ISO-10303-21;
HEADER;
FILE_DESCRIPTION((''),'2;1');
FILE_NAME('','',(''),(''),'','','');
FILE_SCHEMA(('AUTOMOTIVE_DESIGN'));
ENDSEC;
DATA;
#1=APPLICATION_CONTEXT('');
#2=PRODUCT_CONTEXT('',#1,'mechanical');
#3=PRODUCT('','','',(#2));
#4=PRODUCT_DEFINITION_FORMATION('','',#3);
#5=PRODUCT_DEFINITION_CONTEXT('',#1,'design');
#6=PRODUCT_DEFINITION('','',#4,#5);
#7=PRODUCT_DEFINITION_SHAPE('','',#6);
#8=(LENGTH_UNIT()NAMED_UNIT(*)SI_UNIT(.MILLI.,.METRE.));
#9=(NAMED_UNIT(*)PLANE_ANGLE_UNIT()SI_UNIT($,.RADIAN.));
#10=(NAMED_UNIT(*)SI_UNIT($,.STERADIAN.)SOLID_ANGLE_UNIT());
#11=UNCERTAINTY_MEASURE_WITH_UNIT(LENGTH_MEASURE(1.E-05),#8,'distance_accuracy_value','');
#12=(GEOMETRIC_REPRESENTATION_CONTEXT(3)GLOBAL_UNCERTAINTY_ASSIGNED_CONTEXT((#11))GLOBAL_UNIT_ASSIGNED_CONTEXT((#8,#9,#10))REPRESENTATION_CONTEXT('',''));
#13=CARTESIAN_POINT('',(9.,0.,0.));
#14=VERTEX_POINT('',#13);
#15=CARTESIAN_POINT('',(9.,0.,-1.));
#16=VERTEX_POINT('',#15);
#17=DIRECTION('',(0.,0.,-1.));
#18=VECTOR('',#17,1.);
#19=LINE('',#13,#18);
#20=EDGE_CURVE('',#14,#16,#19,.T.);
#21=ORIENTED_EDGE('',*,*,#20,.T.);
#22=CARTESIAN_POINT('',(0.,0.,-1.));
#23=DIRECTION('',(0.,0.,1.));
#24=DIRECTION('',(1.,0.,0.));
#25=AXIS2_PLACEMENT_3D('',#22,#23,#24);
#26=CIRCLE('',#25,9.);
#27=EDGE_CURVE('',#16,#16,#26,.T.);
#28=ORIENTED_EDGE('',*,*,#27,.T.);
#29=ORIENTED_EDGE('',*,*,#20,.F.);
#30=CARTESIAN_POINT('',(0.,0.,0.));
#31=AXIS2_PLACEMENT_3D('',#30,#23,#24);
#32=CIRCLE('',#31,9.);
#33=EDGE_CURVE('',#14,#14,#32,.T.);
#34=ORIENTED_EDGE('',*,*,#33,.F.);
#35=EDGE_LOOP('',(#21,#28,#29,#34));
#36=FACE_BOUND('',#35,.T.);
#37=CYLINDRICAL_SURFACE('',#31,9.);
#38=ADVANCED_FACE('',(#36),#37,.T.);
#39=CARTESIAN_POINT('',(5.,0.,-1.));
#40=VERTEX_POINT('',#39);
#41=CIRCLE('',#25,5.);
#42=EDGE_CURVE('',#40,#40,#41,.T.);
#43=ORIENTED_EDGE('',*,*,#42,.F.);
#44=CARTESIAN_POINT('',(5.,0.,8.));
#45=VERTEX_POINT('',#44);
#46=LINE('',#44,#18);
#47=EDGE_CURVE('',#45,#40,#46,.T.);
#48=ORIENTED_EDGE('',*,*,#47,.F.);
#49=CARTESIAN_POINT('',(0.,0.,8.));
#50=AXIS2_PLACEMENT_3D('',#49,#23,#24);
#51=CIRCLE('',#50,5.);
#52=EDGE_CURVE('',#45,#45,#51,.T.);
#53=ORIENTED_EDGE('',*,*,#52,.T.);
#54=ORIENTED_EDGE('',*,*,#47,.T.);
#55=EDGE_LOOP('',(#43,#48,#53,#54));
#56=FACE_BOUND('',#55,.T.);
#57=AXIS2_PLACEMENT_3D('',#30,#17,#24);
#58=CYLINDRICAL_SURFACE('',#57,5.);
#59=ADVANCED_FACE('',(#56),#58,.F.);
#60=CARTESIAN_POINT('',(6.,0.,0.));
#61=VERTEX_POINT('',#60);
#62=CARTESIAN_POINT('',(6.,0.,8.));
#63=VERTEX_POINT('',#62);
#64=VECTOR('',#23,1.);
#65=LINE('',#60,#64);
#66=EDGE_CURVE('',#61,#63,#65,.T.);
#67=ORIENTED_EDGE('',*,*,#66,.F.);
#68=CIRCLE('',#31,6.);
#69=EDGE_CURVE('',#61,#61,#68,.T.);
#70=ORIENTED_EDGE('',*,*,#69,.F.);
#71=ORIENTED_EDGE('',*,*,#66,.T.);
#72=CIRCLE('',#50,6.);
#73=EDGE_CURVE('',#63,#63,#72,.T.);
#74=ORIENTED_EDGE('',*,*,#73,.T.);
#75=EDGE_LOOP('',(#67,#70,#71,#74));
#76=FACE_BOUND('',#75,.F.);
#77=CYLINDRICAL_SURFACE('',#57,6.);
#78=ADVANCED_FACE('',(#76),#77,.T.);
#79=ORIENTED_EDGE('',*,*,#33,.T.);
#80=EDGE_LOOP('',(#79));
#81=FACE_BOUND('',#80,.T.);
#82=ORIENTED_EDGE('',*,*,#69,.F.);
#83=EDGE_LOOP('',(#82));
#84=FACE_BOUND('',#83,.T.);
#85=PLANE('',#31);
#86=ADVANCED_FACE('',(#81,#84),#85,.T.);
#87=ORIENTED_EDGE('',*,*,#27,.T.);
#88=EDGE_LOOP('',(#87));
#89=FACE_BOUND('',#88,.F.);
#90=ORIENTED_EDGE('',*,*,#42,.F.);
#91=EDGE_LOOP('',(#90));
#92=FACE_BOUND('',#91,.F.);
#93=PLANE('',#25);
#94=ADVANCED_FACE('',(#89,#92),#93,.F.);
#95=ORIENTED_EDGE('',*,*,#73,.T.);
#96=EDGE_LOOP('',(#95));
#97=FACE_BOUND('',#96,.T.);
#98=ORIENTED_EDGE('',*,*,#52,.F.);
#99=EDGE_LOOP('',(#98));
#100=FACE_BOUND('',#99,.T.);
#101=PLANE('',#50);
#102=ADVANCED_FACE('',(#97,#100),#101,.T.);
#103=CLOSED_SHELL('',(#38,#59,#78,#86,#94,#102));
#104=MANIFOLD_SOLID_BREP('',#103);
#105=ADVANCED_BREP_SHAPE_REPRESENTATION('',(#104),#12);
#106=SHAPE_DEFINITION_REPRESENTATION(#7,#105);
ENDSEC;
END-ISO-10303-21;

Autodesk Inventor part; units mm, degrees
ref_plane "YZ Plane" through (0, 0, 0) normal (1, 0, 0) x (0, 1, 0)
ref_plane "XZ Plane" through (0, 0, 0) normal (0, 1, 0) x (-1, 0, 0)
ref_plane "XY Plane" through (0, 0, 0) normal (0, 0, 1) x (1, 0, 0)
sketch "スケッチ1" plane through (0, 0, 0) normal (0, 0, 1) x (1, 0, 0)
  circle A0 centre (0, 0) radius 5
  circle A1 centre (0, 0) radius 6
  circle A2 centre (0, 0) radius 9
  dimension "d0" = 10
  dimension "d1" = 12
  dimension "d2" = 18
extrude "押し出し1" add sketch "スケッチ1" along normal blind 8 contours A1
extrude "押し出し2" add sketch "スケッチ1" against normal blind 1 contours A1 | A2
properties part number "オイレス10-12-10 フランジ付き" material "アセタール樹脂、黒"
